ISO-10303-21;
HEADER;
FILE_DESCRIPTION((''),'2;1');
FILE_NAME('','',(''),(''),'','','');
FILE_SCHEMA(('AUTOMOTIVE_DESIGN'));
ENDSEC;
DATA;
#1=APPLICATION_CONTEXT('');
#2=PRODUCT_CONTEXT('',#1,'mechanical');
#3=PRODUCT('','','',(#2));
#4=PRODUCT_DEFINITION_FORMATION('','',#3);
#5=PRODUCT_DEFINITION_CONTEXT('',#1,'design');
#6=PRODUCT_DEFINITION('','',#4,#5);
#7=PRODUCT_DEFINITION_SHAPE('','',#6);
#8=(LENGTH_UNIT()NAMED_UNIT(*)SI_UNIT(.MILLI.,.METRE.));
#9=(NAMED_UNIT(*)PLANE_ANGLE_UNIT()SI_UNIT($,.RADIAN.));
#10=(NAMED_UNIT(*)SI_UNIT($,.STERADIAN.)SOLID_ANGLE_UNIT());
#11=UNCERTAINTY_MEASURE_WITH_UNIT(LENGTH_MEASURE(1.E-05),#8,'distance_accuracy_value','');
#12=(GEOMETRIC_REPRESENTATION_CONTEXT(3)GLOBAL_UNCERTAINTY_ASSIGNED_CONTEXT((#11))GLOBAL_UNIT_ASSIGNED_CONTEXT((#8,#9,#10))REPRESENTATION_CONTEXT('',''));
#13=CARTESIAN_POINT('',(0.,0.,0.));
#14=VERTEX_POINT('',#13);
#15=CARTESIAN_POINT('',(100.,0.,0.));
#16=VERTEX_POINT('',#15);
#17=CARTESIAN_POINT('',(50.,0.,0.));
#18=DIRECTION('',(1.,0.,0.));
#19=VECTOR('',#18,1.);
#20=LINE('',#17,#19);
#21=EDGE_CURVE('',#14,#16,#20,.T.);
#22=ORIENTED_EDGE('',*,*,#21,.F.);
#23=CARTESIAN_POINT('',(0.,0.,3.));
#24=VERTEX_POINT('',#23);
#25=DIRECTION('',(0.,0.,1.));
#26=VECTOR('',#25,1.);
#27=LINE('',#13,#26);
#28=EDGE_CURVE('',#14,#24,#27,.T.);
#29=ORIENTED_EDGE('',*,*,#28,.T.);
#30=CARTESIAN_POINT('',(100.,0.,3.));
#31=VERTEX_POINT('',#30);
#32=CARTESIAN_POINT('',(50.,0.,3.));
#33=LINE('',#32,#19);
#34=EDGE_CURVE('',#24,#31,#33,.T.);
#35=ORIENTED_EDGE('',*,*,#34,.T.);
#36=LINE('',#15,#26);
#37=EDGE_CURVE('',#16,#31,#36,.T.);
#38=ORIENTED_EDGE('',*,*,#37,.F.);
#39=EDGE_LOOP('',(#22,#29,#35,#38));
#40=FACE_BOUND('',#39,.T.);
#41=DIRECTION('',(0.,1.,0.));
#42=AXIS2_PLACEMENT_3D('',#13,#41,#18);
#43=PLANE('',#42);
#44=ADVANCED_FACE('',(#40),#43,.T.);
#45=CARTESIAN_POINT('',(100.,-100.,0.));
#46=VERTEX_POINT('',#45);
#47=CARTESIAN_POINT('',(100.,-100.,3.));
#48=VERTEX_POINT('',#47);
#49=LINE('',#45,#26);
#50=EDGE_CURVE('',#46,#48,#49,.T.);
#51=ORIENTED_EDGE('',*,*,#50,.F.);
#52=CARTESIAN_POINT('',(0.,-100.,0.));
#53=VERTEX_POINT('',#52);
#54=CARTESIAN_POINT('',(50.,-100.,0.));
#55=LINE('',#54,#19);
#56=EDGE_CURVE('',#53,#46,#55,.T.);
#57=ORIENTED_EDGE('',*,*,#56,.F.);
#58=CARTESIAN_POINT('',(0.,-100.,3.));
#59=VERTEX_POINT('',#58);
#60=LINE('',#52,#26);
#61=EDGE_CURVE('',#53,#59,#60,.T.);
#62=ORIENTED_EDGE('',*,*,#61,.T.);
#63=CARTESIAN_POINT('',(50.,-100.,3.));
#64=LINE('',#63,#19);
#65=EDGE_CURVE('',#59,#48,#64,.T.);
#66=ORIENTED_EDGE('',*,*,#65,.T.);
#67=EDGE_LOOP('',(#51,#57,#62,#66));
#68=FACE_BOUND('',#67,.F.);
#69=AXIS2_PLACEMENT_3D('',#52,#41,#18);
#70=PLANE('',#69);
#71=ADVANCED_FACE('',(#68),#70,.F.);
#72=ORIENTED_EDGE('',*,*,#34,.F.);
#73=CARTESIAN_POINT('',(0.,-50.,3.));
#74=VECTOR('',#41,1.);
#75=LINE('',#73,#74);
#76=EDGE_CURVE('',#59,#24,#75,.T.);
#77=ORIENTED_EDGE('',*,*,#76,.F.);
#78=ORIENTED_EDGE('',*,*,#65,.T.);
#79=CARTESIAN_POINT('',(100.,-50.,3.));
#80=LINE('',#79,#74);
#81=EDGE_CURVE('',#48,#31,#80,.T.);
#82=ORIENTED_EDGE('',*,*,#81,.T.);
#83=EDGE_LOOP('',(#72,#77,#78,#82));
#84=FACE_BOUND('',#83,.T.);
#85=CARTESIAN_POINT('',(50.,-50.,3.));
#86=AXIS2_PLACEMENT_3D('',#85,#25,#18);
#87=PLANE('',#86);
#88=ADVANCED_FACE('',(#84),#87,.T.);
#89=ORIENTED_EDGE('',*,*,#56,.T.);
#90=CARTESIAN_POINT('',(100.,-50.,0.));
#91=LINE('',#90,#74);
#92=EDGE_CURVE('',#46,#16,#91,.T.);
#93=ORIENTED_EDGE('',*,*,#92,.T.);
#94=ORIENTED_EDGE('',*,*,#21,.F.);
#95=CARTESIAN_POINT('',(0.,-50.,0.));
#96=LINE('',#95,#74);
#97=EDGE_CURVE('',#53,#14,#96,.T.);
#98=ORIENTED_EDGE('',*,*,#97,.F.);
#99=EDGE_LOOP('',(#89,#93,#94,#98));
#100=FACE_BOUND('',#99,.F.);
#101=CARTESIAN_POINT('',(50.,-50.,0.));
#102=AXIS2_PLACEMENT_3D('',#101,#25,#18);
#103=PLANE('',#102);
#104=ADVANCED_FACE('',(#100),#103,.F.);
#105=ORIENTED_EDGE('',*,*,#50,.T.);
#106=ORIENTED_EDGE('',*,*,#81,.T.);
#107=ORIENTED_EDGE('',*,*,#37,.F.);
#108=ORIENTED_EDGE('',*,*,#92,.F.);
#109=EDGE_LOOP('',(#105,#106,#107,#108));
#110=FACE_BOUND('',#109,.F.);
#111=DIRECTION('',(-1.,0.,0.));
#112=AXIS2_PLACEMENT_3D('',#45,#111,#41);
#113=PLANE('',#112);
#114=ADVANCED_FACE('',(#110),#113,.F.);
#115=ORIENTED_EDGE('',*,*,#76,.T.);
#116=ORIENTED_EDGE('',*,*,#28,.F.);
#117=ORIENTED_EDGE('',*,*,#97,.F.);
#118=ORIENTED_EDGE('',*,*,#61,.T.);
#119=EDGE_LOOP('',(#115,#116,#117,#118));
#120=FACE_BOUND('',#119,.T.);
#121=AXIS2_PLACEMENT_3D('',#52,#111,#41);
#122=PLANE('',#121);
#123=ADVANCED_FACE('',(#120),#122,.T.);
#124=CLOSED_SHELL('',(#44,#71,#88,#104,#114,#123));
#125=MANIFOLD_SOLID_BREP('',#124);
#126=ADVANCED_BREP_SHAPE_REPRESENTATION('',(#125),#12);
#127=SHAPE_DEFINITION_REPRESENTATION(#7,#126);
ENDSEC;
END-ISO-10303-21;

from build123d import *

# Parameters (mm, degrees)
CROQUIS1_W              = 100
CROQUIS1_H              = 100
SALIENTE_EXTRUIR1_DEPTH = 3


with BuildPart() as part:
    # Croquis1 → Saliente-Extruir1 (new body)
    with BuildSketch(Plane.XY):
        with Locations((50, -50)):
            Rectangle(CROQUIS1_W, CROQUIS1_H)
    extrude(amount=SALIENTE_EXTRUIR1_DEPTH)


solid = part.part
